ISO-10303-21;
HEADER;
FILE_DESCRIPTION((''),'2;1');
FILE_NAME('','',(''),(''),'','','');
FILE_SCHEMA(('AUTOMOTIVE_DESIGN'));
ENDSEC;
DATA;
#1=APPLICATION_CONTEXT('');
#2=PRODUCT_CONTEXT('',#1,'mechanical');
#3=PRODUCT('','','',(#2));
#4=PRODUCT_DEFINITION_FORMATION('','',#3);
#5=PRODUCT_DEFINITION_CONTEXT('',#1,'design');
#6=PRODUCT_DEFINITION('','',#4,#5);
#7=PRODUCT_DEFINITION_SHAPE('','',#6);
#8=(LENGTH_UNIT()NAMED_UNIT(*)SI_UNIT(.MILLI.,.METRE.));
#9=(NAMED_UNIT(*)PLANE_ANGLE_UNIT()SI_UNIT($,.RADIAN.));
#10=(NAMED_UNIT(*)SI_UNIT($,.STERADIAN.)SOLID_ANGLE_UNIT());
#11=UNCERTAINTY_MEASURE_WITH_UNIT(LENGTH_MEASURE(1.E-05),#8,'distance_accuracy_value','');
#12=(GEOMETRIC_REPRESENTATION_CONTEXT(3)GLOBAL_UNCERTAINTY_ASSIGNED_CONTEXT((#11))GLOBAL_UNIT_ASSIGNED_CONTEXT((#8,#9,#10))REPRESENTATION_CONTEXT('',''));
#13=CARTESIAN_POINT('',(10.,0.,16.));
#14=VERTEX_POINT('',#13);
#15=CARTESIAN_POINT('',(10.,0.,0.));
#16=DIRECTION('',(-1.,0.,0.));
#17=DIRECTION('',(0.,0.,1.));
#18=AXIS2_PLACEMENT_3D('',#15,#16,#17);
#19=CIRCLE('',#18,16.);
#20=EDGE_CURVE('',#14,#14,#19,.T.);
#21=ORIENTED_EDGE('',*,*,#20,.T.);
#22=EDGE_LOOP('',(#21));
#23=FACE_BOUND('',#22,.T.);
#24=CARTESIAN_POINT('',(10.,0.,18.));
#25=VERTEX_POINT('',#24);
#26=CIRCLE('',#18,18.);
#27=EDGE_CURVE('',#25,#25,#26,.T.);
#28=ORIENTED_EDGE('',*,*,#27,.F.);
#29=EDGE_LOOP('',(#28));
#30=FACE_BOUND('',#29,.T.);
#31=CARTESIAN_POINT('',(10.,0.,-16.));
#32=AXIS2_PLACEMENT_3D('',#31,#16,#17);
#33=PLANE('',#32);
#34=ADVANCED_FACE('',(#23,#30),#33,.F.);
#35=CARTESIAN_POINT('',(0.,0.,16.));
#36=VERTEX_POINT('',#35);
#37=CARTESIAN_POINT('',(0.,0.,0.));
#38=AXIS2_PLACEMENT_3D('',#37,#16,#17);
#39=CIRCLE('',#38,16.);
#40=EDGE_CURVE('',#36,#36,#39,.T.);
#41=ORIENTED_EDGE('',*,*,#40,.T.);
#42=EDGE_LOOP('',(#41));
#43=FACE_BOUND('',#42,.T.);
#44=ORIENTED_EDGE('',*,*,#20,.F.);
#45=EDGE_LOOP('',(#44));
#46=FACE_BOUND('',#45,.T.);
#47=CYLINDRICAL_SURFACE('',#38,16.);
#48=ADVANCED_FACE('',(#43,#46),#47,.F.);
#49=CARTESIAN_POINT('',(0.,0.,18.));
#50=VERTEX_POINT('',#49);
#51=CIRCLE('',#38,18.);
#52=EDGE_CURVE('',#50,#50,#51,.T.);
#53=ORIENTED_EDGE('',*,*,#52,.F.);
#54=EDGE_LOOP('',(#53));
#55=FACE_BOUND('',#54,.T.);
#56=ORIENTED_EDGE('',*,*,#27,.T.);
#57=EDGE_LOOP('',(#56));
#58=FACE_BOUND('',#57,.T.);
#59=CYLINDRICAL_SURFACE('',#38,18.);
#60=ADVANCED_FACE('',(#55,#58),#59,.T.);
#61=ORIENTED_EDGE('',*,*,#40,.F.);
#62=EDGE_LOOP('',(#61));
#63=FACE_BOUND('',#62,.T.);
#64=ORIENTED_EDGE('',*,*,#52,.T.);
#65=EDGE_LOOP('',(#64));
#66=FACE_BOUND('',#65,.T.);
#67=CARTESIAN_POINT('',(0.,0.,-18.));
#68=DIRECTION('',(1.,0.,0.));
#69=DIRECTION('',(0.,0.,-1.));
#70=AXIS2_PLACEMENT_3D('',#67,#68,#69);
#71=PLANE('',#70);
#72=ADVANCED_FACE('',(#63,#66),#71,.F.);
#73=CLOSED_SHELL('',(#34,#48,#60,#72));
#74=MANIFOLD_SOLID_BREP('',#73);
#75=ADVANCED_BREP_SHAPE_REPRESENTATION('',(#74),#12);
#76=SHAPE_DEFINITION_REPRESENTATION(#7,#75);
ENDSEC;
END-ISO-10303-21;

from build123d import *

# Parameters (mm, degrees)
SKETCH1_W = 10
SKETCH1_H = 2


with BuildPart() as part:
    # Sketch1 → Revolve1 (revolve)
    with BuildSketch(Plane(origin=(0, 0, 0), x_dir=(1, 0, 0), z_dir=(0, 1, 0)), mode=Mode.PRIVATE) as revolve1_sk:
        with Locations((5, 17)):
            Rectangle(SKETCH1_W, SKETCH1_H)
    revolve(revolve1_sk.sketch.rotate(Axis((0, 0, 0), (1, 0, 0)), 180), axis=Axis((0, 0, 0), (1, 0, 0)))


solid = part.part
